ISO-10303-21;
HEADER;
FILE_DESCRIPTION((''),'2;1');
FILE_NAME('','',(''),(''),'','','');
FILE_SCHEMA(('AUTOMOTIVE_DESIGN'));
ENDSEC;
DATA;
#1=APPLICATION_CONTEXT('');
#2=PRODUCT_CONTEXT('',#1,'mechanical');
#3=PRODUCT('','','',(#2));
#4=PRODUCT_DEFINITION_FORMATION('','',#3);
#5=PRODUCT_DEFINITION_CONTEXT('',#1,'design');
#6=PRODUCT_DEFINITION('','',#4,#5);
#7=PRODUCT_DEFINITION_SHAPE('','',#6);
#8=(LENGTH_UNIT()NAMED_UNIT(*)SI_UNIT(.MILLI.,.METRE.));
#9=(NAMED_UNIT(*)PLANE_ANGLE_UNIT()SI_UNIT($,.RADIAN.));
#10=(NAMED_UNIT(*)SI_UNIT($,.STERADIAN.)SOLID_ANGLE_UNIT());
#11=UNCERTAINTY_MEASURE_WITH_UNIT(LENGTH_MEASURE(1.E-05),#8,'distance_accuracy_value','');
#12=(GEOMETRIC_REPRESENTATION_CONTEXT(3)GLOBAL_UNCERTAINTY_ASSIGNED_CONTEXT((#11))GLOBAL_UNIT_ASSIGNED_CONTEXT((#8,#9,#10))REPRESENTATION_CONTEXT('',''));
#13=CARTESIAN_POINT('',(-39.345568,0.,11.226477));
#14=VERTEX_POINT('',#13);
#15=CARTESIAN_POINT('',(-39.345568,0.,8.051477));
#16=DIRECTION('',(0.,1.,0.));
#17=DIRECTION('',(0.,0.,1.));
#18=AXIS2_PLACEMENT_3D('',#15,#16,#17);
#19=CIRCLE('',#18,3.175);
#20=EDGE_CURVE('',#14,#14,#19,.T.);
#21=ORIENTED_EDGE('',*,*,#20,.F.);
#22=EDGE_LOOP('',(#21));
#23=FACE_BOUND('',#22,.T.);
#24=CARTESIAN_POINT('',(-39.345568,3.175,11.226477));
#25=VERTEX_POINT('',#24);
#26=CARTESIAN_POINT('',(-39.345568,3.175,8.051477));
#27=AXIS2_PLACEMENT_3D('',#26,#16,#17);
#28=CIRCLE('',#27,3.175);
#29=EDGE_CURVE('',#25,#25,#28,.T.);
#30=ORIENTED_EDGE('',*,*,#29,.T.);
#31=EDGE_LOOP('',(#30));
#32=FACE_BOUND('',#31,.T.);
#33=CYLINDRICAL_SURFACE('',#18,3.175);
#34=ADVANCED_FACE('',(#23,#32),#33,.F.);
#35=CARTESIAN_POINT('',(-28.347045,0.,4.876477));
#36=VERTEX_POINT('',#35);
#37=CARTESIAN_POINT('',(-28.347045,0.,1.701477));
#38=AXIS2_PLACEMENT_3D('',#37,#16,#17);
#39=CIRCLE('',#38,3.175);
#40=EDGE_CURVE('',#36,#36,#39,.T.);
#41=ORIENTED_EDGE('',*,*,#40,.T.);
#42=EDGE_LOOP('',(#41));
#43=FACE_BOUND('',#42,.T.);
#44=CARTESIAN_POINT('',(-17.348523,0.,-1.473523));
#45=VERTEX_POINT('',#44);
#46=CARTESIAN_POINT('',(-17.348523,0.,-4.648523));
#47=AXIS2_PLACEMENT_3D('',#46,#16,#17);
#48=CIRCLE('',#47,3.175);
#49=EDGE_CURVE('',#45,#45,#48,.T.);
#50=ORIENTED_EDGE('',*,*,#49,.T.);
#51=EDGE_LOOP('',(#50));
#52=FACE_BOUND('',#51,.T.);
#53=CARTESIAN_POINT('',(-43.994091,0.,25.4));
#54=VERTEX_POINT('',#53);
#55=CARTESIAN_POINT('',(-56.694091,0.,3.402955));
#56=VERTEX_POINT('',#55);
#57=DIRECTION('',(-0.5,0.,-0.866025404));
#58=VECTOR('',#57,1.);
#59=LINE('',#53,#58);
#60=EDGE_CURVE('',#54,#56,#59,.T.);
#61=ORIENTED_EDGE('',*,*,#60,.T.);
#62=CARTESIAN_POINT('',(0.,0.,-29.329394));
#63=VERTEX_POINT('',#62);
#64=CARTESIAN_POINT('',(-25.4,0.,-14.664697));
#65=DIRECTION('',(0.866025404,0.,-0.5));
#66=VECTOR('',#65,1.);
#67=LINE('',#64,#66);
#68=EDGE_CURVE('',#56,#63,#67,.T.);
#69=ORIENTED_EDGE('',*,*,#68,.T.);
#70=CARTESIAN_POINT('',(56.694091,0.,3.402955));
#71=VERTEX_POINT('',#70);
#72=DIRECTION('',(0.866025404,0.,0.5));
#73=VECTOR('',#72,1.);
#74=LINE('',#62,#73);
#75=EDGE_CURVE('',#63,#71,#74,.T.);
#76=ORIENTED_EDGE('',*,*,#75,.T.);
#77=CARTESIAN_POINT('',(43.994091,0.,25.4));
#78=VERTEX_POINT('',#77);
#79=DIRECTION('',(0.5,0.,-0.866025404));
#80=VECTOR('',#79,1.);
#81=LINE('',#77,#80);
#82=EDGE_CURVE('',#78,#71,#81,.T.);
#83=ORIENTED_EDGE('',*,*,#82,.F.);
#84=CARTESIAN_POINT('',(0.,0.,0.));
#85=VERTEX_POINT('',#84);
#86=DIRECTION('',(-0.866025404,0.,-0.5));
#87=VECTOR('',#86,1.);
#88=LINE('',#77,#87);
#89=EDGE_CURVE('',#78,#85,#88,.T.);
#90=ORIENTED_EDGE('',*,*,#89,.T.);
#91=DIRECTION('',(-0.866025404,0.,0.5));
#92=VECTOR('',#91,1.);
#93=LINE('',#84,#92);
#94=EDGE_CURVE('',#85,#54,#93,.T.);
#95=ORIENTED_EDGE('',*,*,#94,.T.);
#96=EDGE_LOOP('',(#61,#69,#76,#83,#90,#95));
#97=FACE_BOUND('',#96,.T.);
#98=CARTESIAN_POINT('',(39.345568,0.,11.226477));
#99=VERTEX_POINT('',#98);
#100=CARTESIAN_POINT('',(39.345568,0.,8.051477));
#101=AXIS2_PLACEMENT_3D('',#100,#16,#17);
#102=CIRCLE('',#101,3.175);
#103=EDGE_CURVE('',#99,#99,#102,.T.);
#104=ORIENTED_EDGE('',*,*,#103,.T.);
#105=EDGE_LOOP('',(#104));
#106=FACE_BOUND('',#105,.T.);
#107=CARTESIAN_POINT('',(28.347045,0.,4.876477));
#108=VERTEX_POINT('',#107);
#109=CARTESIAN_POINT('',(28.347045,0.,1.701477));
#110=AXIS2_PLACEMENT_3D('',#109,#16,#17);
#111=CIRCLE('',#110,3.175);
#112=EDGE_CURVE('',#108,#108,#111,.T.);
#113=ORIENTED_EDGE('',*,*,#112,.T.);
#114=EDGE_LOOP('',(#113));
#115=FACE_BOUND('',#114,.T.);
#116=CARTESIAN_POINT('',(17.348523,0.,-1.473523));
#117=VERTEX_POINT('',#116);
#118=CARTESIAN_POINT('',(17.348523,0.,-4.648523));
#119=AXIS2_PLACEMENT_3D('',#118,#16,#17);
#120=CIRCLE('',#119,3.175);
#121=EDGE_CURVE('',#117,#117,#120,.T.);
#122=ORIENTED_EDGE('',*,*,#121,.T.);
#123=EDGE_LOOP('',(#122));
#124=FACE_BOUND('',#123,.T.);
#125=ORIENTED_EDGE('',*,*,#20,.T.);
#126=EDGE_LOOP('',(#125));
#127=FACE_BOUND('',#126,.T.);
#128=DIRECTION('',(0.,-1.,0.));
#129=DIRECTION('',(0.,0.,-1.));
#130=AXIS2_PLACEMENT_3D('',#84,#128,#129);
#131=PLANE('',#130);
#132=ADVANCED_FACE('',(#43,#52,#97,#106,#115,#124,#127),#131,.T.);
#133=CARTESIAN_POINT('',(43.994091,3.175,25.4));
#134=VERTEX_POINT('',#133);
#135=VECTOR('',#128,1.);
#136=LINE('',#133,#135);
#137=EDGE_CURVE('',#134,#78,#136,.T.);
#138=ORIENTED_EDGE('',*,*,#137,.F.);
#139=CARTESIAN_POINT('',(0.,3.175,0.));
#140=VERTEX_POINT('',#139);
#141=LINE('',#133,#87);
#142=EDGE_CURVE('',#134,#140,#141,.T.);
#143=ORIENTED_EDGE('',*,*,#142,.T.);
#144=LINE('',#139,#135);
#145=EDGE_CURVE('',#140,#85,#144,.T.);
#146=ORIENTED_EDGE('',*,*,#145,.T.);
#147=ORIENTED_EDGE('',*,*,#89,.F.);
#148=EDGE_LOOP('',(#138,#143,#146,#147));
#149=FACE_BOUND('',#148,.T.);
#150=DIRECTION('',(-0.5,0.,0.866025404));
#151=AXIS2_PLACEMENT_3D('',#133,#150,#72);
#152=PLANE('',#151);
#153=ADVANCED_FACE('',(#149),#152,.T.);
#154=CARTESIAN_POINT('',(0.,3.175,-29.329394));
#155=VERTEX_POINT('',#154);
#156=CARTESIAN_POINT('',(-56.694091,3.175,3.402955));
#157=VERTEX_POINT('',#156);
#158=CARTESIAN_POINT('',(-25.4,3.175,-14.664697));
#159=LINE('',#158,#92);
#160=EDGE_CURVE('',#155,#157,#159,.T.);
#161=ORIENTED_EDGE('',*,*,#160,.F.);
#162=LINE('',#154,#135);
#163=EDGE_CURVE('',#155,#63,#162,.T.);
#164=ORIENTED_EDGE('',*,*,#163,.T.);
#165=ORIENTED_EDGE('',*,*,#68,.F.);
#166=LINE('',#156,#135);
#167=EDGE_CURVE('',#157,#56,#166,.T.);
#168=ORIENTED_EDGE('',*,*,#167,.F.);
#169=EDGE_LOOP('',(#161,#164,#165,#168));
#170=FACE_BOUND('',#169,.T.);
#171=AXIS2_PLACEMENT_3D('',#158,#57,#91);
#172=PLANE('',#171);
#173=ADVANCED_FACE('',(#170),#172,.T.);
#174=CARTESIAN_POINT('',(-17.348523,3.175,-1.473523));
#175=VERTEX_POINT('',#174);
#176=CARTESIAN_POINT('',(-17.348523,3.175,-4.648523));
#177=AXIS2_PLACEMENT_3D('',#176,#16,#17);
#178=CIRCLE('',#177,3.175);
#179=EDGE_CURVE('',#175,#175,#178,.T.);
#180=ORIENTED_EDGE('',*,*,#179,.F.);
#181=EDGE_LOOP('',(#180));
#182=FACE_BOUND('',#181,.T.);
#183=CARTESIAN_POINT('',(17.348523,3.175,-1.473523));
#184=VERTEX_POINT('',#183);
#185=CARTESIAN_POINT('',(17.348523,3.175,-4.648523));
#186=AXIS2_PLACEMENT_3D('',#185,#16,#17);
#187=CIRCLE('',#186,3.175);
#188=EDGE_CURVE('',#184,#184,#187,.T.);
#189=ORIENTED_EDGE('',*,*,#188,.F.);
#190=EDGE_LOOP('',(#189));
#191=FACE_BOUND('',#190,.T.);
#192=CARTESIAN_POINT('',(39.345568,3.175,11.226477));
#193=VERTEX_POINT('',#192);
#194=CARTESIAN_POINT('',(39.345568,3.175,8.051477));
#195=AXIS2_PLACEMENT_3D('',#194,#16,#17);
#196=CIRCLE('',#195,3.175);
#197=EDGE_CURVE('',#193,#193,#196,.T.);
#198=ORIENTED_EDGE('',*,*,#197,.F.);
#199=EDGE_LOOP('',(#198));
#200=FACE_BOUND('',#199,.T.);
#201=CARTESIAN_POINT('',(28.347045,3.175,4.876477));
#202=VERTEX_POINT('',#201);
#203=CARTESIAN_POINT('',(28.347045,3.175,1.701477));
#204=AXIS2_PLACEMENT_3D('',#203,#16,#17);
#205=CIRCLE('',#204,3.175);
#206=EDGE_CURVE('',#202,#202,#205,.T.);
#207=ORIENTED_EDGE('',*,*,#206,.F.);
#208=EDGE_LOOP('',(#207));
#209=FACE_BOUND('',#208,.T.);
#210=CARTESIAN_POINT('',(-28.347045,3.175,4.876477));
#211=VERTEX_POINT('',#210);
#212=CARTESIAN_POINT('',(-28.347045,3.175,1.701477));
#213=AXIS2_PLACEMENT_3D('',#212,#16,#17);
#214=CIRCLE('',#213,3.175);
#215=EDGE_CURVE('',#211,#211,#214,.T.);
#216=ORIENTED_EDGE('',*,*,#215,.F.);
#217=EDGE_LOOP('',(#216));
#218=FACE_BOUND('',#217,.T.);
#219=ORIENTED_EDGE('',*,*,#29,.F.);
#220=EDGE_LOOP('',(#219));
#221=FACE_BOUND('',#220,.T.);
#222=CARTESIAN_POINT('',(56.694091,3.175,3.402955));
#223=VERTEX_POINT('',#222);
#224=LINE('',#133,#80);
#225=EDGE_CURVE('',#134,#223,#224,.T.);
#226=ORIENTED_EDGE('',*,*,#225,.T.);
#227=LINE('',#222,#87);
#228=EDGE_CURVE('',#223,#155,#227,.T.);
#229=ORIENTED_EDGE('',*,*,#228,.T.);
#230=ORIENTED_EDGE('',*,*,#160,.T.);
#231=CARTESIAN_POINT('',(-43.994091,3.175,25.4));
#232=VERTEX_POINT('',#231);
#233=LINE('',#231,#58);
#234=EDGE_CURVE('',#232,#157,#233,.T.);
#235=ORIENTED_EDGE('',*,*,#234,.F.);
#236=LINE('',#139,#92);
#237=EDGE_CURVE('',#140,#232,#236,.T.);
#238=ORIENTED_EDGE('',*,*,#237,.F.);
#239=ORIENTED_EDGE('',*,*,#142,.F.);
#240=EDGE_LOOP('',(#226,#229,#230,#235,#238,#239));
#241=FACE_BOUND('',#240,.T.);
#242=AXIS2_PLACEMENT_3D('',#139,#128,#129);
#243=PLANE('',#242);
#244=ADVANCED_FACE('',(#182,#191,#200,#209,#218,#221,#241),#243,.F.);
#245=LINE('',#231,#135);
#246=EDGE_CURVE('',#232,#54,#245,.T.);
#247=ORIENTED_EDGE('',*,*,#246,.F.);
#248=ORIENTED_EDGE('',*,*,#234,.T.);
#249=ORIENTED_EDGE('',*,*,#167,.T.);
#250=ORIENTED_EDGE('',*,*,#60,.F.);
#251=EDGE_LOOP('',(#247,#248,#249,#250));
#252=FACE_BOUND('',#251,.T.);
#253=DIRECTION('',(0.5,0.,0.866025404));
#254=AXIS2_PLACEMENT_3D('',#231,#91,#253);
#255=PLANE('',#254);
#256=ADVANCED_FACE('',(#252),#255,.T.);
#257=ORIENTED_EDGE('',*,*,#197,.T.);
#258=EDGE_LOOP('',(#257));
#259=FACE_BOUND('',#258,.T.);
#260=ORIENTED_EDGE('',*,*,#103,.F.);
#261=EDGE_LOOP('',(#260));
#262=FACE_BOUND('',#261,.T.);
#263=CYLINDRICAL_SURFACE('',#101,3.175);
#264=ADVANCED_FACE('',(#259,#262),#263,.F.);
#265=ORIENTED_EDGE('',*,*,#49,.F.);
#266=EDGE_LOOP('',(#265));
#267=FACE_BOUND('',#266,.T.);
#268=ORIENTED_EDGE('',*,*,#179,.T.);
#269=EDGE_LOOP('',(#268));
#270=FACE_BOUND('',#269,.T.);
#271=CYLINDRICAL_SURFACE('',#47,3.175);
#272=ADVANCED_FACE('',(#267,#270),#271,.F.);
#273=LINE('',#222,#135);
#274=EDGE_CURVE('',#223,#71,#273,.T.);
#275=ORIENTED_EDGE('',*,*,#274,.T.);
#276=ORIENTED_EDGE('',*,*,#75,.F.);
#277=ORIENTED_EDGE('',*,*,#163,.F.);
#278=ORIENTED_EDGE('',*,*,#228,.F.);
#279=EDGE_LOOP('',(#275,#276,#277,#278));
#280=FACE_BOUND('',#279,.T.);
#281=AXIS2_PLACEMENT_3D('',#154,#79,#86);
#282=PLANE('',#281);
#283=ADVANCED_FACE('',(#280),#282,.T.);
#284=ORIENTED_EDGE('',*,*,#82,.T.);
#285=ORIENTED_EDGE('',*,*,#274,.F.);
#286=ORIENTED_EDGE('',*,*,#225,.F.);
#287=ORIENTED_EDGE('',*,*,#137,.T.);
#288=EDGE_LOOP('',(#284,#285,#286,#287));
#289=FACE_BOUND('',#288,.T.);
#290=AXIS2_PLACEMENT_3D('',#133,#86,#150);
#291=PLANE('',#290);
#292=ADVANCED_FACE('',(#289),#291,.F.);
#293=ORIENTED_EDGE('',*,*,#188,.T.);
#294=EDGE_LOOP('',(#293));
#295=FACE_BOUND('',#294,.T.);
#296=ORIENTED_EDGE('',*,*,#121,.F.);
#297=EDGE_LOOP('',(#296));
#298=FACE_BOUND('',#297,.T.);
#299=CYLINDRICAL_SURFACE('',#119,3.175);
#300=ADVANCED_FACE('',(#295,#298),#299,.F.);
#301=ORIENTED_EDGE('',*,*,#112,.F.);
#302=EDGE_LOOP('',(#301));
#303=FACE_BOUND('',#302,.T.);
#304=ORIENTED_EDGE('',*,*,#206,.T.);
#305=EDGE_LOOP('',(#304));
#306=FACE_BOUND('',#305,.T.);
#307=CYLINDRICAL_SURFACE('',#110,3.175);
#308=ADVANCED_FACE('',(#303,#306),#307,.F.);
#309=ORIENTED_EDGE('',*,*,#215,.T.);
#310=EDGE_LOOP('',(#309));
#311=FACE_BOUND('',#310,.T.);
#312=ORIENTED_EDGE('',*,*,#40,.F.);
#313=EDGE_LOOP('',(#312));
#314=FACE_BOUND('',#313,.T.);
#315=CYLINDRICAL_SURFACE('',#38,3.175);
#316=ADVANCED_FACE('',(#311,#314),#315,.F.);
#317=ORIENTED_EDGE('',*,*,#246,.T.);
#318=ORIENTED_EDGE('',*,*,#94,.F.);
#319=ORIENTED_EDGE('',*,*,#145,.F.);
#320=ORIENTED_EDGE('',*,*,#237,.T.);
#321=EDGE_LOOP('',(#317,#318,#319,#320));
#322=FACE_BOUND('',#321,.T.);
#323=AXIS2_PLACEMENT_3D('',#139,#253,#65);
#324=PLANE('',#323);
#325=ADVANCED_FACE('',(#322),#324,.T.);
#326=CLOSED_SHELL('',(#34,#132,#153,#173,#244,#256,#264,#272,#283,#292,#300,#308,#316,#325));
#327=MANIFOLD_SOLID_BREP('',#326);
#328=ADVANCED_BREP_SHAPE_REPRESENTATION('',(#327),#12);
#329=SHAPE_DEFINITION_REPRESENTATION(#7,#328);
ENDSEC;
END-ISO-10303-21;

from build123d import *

# Parameters (mm, degrees)
BOSS_EXTRUDE1_DEPTH = 3.175
SKETCH2_R           = 3.175
CUT_EXTRUDE2_DEPTH  = 3.175
LPATTERN5_COUNT     = 3
LPATTERN5_PITCH     = 12.7
SKETCH7_R           = 3.175
CUT_EXTRUDE3_DEPTH  = 3.175
LPATTERN6_COUNT     = 3
LPATTERN6_PITCH     = 12.7


with BuildPart() as part:
    # Sketch1 → Boss-Extrude1 (new body)
    with BuildSketch(Plane(origin=(0, 0, 0), x_dir=(1, 0, 0), z_dir=(0, 1, 0))):
        Polygon((-25.4, 14.664696837), (0, 29.329393675), (25.4, 14.664696837), (56.694090512, -3.402954744), (43.994090512, -25.4), (0, 0), (-43.994090512, -25.4), (-56.694090512, -3.402954744), align=None)
    extrude(amount=BOSS_EXTRUDE1_DEPTH)

    # Sketch2 → Cut-Extrude2 (cut)
    with BuildSketch(Plane(origin=(0, 3.175, 0), x_dir=(1, 0, 0), z_dir=(0, 1, 0))):
        with Locations(Location((-39.345567884, -8.051477372, 0), (0, 0, 270))):
            Circle(SKETCH2_R)
    cut_extrude2 = extrude(amount=-CUT_EXTRUDE2_DEPTH, mode=Mode.SUBTRACT)

    # LPattern5: Cut-Extrude2 ×3
    with Locations(*[Vector(0.866025403784438, 0, -0.5000000000000012) * (i * LPATTERN5_PITCH) for i in range(1, LPATTERN5_COUNT)]):
        add(cut_extrude2, mode=Mode.SUBTRACT)

    # Sketch7 → Cut-Extrude3 (cut)
    with BuildSketch(Plane(origin=(0, 3.175, 0), x_dir=(1, 0, 0), z_dir=(0, 1, 0))):
        with Locations(Location((39.345567884, -8.051477372, 0), (0, 0, 270))):
            Circle(SKETCH7_R)
    cut_extrude3 = extrude(amount=-CUT_EXTRUDE3_DEPTH, mode=Mode.SUBTRACT)

    # LPattern6: Cut-Extrude3 ×3
    with Locations(*[Vector(-0.8660254037844382, 0, -0.500000000000001) * (i * LPATTERN6_PITCH) for i in range(1, LPATTERN6_COUNT)]):
        add(cut_extrude3, mode=Mode.SUBTRACT)


solid = part.part
